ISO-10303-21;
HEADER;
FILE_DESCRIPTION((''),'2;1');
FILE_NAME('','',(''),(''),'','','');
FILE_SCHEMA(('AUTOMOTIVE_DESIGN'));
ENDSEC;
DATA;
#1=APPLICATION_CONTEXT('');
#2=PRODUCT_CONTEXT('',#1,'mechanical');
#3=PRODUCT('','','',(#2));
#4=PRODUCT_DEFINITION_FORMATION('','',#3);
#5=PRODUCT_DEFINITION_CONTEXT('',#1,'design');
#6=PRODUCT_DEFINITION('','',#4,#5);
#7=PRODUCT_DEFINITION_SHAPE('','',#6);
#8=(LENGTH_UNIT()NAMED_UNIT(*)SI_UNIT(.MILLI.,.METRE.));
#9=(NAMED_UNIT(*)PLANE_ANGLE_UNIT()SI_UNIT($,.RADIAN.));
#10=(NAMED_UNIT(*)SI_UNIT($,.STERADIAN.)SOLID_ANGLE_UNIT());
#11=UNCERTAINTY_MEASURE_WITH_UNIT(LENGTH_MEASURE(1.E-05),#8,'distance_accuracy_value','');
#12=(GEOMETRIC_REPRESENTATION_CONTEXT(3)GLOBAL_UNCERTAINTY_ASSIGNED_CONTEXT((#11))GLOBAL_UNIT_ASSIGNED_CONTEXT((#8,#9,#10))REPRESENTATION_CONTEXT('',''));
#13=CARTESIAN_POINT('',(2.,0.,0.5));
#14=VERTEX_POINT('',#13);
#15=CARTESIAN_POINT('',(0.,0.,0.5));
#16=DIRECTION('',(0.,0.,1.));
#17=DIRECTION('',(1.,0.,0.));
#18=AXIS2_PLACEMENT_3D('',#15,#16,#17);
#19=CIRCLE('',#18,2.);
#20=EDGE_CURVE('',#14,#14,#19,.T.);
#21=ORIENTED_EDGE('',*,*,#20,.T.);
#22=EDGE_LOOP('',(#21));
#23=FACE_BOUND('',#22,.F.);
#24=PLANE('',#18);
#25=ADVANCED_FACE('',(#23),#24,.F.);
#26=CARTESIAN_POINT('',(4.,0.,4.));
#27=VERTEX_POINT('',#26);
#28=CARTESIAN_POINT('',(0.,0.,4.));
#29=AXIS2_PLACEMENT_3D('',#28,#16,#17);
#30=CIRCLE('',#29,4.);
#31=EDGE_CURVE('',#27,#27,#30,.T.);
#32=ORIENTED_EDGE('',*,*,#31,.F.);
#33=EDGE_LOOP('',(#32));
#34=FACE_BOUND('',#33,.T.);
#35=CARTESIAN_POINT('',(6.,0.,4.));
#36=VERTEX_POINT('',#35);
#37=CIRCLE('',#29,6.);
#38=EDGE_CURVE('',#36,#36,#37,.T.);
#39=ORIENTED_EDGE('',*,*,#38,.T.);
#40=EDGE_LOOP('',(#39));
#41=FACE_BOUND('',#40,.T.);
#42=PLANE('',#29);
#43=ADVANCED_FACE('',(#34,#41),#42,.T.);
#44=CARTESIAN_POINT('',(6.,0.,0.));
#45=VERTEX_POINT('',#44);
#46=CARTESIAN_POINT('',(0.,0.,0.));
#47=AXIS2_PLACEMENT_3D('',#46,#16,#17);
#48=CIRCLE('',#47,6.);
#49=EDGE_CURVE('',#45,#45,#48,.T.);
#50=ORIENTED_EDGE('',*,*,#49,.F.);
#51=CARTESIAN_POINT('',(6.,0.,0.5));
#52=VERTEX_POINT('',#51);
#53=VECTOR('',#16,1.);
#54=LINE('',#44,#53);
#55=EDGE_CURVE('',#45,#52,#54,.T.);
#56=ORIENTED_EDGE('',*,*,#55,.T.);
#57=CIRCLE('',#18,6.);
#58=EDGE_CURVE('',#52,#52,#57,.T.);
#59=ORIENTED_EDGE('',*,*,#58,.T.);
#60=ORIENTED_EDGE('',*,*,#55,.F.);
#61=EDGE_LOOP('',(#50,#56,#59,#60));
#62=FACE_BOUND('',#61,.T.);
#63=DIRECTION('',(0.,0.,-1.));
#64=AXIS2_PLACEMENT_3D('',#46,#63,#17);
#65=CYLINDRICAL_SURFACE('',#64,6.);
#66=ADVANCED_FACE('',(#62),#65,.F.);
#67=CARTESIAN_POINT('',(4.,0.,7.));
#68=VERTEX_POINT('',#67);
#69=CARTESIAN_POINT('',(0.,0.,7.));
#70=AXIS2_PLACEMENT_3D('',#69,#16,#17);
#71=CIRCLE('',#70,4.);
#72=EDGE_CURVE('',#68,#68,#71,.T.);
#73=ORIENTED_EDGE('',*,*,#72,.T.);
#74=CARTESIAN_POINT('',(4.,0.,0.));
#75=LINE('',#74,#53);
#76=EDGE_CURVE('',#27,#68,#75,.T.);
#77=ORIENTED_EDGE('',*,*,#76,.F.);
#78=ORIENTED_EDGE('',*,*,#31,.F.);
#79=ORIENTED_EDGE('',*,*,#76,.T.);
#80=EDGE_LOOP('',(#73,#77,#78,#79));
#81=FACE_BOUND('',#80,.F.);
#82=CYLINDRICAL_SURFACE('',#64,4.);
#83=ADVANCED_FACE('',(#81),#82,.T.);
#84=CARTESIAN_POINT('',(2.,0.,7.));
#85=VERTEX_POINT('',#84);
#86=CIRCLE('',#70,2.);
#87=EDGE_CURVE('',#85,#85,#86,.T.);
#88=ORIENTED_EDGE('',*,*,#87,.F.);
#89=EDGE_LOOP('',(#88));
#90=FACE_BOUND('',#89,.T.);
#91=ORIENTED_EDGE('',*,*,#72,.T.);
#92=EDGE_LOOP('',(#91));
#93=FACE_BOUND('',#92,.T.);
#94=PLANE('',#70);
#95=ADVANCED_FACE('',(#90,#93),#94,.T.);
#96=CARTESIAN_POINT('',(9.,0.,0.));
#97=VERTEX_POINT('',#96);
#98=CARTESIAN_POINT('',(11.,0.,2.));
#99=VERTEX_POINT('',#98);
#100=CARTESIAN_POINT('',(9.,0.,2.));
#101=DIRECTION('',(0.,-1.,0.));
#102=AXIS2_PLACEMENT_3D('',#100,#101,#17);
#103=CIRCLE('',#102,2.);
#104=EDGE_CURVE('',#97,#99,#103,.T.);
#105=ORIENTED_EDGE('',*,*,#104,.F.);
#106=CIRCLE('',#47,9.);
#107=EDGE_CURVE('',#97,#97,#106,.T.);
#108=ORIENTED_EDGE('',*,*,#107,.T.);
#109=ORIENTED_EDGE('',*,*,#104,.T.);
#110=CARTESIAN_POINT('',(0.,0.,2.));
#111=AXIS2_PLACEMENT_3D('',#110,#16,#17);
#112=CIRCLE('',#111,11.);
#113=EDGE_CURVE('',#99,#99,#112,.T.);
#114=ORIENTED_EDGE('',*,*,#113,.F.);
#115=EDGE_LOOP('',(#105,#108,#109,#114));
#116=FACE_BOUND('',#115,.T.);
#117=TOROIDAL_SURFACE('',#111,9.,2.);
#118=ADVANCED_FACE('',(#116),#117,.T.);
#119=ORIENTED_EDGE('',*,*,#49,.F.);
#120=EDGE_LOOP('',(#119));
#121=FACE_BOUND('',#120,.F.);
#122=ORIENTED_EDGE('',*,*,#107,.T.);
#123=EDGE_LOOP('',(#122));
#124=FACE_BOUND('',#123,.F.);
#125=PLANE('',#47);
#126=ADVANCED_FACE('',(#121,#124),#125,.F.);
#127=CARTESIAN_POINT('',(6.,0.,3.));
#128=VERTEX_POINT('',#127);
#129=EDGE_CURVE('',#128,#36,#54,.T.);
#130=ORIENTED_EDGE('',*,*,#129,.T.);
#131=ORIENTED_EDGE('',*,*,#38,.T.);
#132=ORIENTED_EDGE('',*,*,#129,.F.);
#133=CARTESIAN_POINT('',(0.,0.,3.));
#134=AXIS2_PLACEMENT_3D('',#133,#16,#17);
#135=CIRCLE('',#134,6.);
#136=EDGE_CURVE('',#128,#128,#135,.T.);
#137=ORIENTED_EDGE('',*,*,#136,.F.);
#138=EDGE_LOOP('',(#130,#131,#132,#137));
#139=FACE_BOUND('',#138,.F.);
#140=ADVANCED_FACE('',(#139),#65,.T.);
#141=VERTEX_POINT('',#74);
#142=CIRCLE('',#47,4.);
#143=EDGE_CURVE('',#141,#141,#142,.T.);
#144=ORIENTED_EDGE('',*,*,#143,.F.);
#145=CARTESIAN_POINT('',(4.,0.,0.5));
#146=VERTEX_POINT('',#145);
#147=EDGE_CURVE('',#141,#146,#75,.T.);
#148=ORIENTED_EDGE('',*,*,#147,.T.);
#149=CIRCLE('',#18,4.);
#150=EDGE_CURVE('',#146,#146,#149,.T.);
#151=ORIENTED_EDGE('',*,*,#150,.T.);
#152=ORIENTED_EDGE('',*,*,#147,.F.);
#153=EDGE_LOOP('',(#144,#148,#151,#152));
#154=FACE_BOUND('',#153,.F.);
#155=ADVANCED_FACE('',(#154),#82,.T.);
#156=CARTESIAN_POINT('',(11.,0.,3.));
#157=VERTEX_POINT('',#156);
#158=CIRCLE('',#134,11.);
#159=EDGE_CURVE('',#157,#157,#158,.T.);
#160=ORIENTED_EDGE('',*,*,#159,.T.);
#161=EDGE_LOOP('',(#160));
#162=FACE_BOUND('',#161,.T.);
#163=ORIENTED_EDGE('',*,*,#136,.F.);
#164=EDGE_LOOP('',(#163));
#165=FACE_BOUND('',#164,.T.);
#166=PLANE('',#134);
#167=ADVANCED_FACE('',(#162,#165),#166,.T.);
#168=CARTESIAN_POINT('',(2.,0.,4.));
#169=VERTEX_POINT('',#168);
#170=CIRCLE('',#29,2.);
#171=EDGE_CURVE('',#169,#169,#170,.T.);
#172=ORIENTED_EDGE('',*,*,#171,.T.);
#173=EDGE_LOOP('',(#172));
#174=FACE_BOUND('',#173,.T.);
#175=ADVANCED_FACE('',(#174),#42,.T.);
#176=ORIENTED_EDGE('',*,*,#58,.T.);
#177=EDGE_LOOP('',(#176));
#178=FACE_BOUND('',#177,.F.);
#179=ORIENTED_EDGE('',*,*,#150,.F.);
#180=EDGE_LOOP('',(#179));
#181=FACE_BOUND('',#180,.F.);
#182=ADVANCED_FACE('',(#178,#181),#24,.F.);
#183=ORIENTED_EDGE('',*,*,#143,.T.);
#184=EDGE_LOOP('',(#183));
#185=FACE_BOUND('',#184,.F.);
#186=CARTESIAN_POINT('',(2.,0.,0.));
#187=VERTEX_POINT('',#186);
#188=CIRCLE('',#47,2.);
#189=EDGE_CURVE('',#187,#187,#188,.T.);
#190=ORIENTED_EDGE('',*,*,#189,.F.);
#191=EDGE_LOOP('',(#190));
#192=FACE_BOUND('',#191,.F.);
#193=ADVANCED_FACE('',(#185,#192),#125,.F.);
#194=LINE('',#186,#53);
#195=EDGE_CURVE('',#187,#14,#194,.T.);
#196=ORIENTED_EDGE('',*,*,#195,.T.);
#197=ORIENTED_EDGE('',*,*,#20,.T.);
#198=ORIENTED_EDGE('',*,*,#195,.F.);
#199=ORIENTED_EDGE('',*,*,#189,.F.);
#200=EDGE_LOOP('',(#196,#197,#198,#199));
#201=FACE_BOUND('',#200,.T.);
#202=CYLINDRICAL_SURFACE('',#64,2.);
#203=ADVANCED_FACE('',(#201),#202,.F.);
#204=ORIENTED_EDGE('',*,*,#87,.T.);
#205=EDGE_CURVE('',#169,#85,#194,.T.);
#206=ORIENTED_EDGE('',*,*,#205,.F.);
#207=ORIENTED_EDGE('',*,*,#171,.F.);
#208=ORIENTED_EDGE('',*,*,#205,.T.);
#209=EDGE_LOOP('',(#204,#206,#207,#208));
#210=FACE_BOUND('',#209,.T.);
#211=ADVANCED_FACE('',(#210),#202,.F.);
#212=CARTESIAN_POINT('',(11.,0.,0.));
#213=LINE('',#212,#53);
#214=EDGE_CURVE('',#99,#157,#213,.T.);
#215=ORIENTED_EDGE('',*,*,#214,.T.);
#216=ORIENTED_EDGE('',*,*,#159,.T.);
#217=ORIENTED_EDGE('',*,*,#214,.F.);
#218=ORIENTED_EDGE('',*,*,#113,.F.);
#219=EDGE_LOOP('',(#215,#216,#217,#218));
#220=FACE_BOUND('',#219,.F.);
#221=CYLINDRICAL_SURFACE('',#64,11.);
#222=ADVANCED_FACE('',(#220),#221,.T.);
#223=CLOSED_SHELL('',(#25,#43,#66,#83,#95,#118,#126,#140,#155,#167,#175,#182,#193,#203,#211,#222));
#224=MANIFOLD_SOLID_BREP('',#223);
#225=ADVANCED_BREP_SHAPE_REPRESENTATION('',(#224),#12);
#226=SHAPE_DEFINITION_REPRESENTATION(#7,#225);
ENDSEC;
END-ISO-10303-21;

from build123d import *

# Parameters (mm, degrees)
F0_R     = 4
F0_R_2   = 2
F1_DEPTH = 7
F0_R_3   = 6
F2_DEPTH = 4
F0_R_4   = 11
F3_DEPTH = 3
F4_DEPTH = 4
F5_R     = 2
F6_DEPTH = 0.5


with BuildPart() as f1:
    # F0 (on Top) → F1 (new body)
    with BuildSketch(Plane.XY):
        Circle(F0_R)
        Circle(F0_R_2, mode=Mode.SUBTRACT)
    extrude(amount=F1_DEPTH)

    # F0 (on Top) → F2 (join)
    with BuildSketch(Plane.XY):
        Circle(F0_R_3)
        Circle(F0_R, mode=Mode.SUBTRACT)
    extrude(amount=F2_DEPTH)

    # F0 (on Top) → F3 (join)
    with BuildSketch(Plane.XY):
        Circle(F0_R_4)
        Circle(F0_R_3, mode=Mode.SUBTRACT)
    extrude(amount=F3_DEPTH)

    # F0 (on Top) → F4 (join)
    with BuildSketch(Plane.XY):
        Circle(F0_R_2)
    extrude(amount=F4_DEPTH)

    # F5
    f5_edges = [f1.edges().sort_by_distance(p)[0] for p in [
        (-11, 0, 0),
    ]]
    fillet(f5_edges, radius=F5_R)

    # F0 (on Top) → F6 (cut)
    with BuildSketch(Plane.XY):
        Circle(F0_R_3)
        Circle(F0_R, mode=Mode.SUBTRACT)
        Circle(F0_R_2)
    extrude(amount=F6_DEPTH, mode=Mode.SUBTRACT)


solid = f1.part
